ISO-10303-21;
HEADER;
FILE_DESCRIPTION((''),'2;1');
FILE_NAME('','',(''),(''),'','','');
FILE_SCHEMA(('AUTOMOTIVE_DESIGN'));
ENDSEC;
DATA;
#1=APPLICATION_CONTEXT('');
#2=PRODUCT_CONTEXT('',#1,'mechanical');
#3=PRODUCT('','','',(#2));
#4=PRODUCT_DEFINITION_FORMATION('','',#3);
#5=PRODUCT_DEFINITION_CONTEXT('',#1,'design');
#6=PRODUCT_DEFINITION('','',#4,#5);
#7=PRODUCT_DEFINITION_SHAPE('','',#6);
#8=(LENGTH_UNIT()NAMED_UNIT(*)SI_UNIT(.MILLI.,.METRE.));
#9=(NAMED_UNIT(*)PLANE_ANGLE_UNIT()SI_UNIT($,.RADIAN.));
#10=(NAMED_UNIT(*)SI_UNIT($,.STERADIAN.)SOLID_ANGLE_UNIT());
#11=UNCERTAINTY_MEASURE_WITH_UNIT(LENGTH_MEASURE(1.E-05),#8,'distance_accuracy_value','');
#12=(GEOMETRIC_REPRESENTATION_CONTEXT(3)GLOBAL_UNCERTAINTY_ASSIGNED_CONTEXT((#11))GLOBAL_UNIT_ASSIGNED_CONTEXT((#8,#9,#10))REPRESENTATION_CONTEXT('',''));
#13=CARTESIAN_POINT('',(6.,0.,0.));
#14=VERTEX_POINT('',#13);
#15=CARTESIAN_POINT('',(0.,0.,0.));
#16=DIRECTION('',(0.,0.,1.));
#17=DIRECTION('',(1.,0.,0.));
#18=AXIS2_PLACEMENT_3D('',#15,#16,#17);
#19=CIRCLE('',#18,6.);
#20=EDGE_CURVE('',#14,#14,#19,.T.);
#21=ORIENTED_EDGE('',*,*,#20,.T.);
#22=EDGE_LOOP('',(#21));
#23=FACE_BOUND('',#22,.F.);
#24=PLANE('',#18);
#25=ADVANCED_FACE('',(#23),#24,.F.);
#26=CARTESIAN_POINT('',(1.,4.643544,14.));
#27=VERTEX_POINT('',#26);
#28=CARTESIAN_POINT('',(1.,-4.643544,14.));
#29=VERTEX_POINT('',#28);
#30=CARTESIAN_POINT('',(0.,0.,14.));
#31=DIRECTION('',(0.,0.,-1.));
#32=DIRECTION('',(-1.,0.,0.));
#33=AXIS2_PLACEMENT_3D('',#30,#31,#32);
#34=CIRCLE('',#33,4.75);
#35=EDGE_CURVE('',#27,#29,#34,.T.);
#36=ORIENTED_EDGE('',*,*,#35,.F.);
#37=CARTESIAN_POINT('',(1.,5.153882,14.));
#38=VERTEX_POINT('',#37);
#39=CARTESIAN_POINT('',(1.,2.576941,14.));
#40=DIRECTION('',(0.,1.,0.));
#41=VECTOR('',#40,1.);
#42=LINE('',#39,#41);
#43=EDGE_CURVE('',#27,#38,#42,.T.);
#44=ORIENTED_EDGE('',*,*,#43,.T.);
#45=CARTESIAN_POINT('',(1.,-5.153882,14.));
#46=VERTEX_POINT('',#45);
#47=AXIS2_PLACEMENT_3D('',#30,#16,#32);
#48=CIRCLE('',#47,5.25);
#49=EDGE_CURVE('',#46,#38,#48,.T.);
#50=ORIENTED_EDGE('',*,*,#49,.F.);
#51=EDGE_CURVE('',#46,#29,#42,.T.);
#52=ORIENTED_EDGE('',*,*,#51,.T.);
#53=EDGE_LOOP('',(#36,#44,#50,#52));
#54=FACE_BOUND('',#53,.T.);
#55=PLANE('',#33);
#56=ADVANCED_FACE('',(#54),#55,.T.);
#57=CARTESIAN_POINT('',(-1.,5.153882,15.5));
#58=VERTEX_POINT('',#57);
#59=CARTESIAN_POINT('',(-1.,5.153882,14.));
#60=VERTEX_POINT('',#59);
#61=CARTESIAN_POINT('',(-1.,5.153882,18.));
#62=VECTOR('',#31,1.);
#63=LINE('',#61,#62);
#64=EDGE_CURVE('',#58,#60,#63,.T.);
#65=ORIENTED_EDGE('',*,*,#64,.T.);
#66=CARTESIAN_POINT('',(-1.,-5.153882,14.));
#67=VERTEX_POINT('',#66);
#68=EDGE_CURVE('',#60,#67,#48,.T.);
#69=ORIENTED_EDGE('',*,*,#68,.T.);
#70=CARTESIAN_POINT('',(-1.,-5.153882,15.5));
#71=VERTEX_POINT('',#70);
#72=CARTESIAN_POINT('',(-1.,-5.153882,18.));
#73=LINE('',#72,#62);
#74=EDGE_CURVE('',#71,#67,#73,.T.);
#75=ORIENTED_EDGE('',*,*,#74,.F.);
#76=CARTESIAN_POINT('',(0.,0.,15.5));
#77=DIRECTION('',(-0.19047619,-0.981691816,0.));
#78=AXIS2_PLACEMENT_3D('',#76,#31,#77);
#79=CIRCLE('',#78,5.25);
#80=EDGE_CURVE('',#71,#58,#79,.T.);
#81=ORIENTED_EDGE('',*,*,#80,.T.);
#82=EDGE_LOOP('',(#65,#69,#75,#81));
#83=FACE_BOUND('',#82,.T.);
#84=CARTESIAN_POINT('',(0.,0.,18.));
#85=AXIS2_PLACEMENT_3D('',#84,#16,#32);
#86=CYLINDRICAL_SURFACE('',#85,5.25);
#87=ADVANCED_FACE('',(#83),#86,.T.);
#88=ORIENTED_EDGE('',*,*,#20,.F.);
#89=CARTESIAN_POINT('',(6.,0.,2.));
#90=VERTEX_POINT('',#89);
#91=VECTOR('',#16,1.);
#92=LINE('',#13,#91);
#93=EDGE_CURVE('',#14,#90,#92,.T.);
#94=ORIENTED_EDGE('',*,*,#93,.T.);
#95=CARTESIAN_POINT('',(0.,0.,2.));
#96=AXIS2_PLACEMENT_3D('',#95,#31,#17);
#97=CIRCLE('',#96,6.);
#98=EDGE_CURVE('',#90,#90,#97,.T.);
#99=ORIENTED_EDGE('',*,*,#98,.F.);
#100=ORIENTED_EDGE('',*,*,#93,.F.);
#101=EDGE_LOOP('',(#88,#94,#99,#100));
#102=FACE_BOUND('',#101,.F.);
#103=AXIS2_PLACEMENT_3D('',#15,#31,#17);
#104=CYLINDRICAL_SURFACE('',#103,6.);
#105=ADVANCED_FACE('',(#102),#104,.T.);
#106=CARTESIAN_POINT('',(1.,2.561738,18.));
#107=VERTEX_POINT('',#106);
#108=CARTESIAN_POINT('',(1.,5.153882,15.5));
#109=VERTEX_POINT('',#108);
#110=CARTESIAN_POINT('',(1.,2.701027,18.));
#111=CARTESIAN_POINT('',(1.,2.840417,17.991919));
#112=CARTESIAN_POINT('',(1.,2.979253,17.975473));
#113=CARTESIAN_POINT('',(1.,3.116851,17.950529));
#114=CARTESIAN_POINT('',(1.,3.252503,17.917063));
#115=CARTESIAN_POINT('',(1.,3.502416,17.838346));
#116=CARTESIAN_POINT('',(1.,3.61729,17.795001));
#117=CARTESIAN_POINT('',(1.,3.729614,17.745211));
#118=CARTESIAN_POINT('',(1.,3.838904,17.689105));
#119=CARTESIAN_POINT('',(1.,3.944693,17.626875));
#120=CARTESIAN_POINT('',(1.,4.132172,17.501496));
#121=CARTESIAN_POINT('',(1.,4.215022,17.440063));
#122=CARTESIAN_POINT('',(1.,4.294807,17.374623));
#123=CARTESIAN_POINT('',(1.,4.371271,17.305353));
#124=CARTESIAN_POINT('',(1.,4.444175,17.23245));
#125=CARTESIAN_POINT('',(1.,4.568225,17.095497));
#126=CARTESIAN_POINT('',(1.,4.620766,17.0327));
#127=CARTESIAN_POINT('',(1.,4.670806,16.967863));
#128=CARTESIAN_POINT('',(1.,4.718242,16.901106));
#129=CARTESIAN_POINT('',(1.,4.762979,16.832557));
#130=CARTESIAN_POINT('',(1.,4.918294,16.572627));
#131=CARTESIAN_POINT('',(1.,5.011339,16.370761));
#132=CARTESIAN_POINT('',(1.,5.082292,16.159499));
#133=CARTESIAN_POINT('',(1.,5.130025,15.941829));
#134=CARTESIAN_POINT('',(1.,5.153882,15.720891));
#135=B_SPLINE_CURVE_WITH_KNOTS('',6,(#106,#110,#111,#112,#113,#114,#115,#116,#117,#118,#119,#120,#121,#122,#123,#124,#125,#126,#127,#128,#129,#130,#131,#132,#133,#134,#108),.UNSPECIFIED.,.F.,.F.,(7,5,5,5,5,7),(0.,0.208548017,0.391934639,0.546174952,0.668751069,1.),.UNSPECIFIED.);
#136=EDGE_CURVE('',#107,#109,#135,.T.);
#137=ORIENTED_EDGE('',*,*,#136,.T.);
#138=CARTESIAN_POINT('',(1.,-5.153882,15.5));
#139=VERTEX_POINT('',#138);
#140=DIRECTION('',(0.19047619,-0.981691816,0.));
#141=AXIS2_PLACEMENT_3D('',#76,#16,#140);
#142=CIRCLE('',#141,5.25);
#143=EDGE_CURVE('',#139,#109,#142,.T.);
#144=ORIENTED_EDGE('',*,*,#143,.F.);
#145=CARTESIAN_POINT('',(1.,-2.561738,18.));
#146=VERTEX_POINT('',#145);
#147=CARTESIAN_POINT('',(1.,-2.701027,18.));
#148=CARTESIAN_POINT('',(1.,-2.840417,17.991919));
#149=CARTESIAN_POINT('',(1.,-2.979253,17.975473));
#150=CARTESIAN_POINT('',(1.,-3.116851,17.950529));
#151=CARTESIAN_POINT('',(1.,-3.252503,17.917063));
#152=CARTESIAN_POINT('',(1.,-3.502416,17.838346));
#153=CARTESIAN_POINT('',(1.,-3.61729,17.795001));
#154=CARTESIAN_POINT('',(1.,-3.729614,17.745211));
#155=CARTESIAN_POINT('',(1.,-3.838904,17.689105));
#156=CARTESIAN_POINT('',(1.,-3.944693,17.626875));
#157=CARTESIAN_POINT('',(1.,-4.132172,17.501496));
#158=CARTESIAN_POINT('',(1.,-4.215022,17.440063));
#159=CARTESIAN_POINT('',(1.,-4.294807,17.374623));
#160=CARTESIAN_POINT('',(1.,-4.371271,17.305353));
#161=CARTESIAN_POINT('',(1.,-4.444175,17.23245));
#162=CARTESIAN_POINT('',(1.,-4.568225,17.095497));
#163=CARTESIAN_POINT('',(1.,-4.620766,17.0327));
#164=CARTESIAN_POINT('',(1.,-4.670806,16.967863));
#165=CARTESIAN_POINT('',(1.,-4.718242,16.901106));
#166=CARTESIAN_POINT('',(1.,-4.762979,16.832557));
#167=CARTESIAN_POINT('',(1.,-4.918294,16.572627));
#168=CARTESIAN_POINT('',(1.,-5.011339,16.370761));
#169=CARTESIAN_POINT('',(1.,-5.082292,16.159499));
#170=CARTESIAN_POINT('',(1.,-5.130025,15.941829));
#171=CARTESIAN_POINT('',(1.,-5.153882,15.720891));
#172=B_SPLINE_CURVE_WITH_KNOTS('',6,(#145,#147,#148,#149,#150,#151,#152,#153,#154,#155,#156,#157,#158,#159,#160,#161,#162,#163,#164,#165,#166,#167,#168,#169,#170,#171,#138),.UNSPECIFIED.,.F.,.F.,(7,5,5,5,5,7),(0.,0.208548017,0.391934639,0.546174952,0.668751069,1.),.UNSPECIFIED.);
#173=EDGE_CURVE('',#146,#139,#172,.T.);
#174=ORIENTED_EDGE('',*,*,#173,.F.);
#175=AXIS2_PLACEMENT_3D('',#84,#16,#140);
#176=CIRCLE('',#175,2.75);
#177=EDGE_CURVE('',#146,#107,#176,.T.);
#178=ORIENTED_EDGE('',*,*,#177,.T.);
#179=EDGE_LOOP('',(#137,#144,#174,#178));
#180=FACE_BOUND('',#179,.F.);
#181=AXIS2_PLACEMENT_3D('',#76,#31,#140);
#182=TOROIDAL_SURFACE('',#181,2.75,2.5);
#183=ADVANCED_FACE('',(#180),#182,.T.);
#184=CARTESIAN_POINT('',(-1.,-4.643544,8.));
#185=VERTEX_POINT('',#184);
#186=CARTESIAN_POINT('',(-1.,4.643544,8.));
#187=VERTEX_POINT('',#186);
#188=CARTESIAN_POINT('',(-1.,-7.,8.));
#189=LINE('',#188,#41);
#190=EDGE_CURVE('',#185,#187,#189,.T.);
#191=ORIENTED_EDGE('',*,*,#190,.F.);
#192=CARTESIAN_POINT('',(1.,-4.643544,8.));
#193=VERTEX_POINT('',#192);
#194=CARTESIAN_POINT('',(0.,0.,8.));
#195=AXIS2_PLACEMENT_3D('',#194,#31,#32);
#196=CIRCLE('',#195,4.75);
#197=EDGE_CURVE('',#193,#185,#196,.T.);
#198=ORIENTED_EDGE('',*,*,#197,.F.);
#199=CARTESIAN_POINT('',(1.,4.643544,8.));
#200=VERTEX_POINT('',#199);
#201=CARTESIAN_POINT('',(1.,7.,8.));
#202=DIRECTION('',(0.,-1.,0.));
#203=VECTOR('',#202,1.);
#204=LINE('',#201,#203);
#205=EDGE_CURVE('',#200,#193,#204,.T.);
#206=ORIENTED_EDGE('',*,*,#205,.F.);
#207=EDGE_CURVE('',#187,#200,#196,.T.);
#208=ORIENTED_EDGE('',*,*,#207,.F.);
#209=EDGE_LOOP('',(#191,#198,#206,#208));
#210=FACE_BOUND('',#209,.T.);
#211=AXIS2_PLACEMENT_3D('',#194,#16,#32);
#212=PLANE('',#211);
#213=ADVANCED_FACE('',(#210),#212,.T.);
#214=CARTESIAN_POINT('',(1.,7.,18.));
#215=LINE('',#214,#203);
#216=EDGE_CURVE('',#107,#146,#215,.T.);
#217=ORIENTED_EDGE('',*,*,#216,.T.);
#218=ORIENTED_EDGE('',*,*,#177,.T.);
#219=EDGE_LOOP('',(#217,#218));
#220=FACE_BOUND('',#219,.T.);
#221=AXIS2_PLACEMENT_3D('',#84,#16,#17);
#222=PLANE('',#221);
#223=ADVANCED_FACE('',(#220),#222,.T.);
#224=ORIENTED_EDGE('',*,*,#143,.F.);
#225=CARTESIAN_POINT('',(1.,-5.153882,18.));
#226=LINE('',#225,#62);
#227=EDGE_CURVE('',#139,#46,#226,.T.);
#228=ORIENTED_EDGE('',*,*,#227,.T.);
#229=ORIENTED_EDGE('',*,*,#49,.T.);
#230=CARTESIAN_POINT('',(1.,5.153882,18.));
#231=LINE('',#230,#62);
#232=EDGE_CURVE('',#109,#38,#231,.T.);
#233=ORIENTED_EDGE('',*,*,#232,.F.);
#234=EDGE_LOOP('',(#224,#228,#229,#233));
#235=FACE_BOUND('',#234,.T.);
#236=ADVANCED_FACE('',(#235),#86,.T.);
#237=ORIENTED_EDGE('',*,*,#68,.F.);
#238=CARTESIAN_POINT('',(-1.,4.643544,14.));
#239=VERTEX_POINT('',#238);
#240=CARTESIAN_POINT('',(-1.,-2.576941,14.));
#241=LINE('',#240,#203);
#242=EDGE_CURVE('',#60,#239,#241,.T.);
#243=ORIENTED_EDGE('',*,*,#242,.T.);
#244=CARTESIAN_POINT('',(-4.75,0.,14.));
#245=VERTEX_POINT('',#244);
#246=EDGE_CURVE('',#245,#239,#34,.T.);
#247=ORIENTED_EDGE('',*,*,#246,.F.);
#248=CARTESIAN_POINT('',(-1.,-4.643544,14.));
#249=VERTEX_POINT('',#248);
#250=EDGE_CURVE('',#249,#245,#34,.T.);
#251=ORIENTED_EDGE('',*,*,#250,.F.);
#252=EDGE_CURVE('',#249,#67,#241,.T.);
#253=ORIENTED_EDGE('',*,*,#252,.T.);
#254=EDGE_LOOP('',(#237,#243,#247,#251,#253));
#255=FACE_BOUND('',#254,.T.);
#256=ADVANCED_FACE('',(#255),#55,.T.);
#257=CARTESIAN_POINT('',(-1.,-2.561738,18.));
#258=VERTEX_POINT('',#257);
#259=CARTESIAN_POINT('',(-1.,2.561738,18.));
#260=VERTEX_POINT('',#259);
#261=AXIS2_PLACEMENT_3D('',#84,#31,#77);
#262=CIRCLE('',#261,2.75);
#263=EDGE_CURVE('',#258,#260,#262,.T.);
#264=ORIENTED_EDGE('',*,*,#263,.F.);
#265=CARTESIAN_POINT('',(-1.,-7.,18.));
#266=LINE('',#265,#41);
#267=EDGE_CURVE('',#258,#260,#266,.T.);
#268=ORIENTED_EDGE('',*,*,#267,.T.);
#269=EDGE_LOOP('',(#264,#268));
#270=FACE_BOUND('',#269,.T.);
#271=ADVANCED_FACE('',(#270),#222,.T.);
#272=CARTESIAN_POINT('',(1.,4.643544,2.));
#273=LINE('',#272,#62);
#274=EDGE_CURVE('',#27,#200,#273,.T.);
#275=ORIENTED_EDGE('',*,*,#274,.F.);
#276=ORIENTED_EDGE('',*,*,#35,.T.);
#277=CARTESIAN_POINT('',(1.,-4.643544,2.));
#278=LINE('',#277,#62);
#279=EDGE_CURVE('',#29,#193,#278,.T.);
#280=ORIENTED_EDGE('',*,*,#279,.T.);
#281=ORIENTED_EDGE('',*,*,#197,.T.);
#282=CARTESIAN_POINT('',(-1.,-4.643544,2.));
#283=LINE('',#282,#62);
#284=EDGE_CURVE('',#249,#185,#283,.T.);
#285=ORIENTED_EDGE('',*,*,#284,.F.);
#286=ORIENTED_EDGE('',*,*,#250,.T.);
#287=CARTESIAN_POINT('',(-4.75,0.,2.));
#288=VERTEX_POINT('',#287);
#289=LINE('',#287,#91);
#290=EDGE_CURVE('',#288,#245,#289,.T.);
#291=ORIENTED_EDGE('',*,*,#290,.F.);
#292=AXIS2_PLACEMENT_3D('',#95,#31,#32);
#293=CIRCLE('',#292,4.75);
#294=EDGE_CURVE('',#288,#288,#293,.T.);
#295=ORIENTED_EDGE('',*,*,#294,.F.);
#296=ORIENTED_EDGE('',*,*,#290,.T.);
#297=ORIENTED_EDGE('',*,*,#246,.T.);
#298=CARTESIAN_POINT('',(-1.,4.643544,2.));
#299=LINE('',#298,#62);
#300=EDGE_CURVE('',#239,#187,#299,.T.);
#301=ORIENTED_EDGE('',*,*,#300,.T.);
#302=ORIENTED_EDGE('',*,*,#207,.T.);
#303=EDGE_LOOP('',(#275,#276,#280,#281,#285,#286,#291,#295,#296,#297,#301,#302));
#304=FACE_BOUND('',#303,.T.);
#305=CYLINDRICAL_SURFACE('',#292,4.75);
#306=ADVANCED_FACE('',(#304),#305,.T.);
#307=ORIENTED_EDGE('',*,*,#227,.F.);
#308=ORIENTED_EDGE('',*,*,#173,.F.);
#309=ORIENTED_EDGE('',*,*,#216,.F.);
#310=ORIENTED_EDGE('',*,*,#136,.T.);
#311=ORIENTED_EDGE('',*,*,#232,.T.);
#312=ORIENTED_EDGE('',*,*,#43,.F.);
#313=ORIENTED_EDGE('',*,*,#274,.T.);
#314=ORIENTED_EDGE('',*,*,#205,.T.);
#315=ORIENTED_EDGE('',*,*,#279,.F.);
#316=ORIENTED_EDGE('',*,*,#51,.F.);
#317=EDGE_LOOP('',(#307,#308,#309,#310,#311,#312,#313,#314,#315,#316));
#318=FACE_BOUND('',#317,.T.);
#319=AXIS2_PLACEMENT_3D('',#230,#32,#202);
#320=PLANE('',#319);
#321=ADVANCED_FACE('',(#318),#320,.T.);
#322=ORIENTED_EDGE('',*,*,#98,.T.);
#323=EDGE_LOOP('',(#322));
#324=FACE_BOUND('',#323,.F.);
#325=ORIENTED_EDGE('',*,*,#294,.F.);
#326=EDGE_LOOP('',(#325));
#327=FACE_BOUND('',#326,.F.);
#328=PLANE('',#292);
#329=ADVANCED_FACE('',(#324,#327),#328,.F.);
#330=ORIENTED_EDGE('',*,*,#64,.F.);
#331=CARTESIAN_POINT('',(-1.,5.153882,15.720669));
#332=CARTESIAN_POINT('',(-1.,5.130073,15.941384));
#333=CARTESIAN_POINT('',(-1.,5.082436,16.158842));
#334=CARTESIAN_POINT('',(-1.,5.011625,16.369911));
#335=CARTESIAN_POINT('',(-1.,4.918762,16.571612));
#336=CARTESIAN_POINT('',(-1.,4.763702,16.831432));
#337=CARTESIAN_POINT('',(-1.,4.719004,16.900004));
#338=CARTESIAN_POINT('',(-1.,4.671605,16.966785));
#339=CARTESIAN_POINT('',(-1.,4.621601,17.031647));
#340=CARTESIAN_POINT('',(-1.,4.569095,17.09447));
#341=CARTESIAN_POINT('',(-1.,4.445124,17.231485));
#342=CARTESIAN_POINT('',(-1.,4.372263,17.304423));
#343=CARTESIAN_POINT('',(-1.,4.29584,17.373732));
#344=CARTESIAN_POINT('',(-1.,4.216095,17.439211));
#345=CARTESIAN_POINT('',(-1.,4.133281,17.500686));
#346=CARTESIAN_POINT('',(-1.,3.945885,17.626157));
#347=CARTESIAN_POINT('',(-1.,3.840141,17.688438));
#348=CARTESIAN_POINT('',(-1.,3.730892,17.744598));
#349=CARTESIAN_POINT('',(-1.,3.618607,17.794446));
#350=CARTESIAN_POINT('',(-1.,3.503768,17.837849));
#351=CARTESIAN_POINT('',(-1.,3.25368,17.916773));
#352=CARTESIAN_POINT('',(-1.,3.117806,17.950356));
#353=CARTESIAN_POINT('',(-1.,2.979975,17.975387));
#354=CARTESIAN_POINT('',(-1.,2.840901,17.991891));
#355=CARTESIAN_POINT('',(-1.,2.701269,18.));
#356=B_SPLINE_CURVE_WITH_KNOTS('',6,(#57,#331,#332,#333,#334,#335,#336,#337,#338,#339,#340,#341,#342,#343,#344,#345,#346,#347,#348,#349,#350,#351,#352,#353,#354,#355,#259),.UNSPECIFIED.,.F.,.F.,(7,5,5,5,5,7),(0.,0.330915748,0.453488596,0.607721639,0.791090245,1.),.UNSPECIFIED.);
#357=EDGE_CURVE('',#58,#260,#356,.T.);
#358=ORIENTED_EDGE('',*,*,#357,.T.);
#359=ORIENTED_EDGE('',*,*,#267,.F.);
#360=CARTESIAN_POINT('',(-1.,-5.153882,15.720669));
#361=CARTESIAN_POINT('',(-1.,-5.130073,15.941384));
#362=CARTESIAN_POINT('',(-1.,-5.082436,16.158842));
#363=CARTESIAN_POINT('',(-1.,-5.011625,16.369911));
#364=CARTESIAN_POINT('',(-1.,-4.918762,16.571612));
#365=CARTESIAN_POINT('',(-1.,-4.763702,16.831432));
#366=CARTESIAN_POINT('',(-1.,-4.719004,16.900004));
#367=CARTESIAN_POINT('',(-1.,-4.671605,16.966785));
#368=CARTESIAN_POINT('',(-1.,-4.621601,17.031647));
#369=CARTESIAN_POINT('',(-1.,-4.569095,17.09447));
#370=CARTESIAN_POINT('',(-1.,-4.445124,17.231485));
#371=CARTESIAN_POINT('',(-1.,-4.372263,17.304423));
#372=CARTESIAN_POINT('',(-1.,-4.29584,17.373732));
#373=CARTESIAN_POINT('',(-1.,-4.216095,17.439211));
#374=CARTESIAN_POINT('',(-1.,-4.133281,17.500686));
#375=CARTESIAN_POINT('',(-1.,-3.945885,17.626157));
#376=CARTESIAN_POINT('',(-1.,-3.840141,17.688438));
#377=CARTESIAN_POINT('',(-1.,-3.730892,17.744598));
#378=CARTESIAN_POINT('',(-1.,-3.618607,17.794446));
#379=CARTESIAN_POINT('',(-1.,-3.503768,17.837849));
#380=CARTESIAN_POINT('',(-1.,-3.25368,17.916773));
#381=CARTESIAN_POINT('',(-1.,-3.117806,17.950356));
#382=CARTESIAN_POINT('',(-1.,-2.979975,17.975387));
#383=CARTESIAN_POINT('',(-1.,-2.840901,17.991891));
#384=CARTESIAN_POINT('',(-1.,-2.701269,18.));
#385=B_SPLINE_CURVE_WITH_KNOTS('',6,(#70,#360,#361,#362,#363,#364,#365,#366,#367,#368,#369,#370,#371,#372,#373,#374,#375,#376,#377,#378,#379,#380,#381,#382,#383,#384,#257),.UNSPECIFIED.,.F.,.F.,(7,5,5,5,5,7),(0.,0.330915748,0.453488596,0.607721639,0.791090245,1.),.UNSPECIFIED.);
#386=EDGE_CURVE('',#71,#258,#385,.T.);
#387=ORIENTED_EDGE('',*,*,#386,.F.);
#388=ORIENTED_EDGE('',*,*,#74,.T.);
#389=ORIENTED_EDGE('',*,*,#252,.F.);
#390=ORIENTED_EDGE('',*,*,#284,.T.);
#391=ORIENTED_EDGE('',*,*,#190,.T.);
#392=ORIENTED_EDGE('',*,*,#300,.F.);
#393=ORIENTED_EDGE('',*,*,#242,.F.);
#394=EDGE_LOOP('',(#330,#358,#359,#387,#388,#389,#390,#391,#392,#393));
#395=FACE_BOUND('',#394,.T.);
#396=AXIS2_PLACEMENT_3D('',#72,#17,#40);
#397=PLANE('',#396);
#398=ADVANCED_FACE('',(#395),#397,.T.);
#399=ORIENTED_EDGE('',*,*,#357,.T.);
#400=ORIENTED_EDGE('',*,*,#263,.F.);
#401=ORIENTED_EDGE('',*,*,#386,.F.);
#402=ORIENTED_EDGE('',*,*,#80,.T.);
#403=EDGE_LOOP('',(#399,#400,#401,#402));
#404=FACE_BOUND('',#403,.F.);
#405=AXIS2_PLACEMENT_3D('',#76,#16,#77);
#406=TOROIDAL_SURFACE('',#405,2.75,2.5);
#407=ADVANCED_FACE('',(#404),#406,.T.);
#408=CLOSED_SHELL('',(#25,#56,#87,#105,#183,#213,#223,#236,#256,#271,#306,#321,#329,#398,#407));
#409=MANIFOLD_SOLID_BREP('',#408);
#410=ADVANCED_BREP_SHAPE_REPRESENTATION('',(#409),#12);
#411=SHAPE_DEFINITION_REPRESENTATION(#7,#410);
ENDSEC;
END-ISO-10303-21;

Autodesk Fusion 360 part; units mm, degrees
sketch "Boceto1" plane through (0, 0, 0) normal (0, 0, 1) x (1, 0, 0)
  circle A0 centre (0, 0) radius 6
  dimension "d1" = 12
extrude "Extruir1" add sketch "Boceto1" along normal blind 18
ref_plane "PlanoDeObra1" through (0, 0, 2) normal (0, 0, -1) x (-1, 0, 0)
sketch "Boceto2" plane through (0, 0, 2) normal (0, 0, -1) x (-1, 0, 0)
  circle A0 centre (0, 0) radius 4.75
  circle A1 centre (0, 0) radius 6
  dimension "d5" = 9.5
  dimension "d6" = 12
extrude "Extruir2" cut sketch "Boceto2" against normal blind 12
sketch "Boceto3" plane through (0, 0, 18) normal (0, 0, 1) x (-1, 0, 0)
  line L0 (-1, 7) -> (1, 7)
  line L1 (1, 7) -> (1, -7)
  line L2 (1, -7) -> (-1, -7)
  line L3 (-1, -7) -> (-1, 7)
  circle A0 centre (0, 0) radius 10
  circle A1 centre (0, 0) radius 6
  circle A2 centre (0, 0) radius 5.25
  circle A3 centre (0, 0) radius 6
  dimension "d11" = 2
  dimension "d12" = 1
  dimension "d15" = 10.5
  dimension "d16" = 12
extrude "Extruir3" cut sketch "Boceto3" against normal blind 10 contours L0 L1 L3 A1 A3 | L1 L3 A1 A2 A3 | L3 A1 A2 A3 | L1 A1 A2 A3 | L1 L3 A2 | L1 L2 L3 A1 A3 | L1 L3 A1 A2 A3
fillet "Empalme3" radius 2.5 2 edges at (5.25, 0, 18) (-5.25, 0, 18)
